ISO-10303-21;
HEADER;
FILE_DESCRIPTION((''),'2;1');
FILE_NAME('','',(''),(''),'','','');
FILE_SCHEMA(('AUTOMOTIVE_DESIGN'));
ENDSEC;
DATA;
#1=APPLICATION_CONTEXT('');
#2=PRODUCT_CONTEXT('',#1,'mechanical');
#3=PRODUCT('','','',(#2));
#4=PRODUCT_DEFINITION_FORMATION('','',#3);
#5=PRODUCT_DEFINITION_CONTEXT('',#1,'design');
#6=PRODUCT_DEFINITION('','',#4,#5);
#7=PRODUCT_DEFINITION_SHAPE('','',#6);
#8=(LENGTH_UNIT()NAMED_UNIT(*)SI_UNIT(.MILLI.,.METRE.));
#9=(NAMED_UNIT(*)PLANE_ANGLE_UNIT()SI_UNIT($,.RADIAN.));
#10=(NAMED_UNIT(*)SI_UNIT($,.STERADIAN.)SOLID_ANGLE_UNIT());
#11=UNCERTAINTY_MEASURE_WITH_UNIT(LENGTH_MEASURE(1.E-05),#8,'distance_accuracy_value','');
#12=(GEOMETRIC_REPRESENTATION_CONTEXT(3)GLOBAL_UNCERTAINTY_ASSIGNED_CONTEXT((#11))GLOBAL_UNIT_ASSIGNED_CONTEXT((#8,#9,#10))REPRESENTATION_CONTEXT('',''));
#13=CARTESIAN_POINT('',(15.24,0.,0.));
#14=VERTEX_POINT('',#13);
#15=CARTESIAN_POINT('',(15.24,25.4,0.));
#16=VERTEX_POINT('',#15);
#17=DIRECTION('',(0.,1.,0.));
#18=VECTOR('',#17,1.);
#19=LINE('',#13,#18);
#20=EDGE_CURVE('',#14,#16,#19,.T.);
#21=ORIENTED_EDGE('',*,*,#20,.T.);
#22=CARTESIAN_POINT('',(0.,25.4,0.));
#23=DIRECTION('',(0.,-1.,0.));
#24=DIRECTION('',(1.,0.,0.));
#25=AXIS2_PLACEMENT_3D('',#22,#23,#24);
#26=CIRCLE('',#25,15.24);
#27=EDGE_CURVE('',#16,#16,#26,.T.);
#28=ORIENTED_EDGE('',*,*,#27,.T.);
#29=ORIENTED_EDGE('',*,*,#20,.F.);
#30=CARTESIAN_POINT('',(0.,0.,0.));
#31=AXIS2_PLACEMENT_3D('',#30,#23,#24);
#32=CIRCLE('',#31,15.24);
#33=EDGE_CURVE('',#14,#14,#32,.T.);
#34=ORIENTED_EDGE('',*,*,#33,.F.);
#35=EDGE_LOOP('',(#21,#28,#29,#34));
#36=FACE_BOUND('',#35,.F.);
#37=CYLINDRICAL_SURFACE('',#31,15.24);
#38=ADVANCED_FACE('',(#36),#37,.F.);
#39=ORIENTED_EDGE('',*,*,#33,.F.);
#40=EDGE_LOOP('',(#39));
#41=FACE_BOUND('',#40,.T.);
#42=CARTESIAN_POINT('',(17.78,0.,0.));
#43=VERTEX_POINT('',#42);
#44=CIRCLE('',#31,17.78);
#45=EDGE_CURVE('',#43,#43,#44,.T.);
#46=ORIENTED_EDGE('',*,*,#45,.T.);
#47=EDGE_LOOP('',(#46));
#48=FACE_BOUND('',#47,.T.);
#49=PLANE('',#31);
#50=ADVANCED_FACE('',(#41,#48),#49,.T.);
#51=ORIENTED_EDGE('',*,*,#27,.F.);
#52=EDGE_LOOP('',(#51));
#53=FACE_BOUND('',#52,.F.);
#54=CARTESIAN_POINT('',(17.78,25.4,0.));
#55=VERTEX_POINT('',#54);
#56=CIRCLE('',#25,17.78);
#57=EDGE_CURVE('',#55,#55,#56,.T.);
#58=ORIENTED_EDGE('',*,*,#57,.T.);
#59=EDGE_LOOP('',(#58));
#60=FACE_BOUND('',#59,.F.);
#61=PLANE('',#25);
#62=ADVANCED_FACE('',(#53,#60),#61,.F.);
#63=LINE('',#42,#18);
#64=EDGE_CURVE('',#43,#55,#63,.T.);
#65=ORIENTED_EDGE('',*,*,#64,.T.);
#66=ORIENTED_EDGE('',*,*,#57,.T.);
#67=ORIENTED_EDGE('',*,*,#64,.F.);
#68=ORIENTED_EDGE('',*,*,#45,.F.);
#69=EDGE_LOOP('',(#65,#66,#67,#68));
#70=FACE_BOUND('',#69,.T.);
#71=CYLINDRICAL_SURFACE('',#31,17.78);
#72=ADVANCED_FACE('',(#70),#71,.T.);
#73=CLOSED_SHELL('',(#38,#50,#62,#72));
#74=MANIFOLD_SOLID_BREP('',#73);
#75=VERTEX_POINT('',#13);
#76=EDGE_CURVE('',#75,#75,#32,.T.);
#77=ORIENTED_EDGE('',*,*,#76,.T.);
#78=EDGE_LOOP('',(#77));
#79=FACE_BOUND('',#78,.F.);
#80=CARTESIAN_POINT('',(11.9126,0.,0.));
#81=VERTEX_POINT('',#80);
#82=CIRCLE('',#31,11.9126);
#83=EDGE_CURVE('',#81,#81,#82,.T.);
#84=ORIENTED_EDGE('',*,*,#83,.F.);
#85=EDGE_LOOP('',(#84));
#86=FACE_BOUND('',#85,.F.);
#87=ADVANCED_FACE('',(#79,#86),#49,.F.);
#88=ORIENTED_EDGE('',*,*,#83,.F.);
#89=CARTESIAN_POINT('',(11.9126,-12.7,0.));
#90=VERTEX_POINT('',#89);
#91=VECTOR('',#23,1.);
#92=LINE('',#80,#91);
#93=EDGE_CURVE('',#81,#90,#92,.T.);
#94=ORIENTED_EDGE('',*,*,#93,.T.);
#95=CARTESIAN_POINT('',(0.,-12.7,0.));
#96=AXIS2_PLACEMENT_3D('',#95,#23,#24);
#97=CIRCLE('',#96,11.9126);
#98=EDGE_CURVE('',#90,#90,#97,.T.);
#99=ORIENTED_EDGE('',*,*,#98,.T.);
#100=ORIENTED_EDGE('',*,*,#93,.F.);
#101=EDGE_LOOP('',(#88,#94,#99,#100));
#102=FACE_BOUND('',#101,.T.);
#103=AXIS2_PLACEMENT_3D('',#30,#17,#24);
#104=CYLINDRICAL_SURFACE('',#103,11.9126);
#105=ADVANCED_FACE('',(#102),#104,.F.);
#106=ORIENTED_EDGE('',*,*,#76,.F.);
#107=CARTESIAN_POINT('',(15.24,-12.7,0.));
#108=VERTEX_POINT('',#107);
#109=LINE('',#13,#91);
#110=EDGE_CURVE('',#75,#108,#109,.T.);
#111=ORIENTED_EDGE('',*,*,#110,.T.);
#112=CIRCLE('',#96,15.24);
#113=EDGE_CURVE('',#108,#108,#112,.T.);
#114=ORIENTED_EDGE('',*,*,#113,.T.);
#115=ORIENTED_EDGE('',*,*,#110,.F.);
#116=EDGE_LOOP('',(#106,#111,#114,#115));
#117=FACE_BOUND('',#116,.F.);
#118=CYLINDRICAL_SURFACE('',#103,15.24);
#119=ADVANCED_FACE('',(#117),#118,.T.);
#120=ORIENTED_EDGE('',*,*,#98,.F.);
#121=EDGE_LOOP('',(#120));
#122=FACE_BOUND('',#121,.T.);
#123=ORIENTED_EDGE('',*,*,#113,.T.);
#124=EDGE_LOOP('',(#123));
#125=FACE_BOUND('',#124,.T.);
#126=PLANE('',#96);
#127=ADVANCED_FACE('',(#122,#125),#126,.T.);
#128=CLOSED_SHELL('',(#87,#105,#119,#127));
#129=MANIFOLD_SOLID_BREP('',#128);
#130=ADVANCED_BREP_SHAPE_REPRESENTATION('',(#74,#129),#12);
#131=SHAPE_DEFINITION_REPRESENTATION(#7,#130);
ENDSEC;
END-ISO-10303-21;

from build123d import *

# Parameters (mm, degrees)
F0_R     = 15.24
F0_R_2   = 11.9126
F1_DEPTH = 12.7
F2_R     = 17.78
F2_R_2   = 15.24
F3_DEPTH = 25.4


with BuildPart() as f1:
    # F0 (on Front) → F1 (new body)
    with BuildSketch(Plane.XZ):
        Circle(F0_R)
        Circle(F0_R_2, mode=Mode.SUBTRACT)
    extrude(amount=F1_DEPTH)


with BuildPart() as f3:
    # F2 (on Front) → F3 (new body)
    with BuildSketch(Plane.XZ):
        Circle(F2_R)
        Circle(F2_R_2, mode=Mode.SUBTRACT)
    extrude(amount=-F3_DEPTH)


solid = Compound([f1.part, f3.part])
